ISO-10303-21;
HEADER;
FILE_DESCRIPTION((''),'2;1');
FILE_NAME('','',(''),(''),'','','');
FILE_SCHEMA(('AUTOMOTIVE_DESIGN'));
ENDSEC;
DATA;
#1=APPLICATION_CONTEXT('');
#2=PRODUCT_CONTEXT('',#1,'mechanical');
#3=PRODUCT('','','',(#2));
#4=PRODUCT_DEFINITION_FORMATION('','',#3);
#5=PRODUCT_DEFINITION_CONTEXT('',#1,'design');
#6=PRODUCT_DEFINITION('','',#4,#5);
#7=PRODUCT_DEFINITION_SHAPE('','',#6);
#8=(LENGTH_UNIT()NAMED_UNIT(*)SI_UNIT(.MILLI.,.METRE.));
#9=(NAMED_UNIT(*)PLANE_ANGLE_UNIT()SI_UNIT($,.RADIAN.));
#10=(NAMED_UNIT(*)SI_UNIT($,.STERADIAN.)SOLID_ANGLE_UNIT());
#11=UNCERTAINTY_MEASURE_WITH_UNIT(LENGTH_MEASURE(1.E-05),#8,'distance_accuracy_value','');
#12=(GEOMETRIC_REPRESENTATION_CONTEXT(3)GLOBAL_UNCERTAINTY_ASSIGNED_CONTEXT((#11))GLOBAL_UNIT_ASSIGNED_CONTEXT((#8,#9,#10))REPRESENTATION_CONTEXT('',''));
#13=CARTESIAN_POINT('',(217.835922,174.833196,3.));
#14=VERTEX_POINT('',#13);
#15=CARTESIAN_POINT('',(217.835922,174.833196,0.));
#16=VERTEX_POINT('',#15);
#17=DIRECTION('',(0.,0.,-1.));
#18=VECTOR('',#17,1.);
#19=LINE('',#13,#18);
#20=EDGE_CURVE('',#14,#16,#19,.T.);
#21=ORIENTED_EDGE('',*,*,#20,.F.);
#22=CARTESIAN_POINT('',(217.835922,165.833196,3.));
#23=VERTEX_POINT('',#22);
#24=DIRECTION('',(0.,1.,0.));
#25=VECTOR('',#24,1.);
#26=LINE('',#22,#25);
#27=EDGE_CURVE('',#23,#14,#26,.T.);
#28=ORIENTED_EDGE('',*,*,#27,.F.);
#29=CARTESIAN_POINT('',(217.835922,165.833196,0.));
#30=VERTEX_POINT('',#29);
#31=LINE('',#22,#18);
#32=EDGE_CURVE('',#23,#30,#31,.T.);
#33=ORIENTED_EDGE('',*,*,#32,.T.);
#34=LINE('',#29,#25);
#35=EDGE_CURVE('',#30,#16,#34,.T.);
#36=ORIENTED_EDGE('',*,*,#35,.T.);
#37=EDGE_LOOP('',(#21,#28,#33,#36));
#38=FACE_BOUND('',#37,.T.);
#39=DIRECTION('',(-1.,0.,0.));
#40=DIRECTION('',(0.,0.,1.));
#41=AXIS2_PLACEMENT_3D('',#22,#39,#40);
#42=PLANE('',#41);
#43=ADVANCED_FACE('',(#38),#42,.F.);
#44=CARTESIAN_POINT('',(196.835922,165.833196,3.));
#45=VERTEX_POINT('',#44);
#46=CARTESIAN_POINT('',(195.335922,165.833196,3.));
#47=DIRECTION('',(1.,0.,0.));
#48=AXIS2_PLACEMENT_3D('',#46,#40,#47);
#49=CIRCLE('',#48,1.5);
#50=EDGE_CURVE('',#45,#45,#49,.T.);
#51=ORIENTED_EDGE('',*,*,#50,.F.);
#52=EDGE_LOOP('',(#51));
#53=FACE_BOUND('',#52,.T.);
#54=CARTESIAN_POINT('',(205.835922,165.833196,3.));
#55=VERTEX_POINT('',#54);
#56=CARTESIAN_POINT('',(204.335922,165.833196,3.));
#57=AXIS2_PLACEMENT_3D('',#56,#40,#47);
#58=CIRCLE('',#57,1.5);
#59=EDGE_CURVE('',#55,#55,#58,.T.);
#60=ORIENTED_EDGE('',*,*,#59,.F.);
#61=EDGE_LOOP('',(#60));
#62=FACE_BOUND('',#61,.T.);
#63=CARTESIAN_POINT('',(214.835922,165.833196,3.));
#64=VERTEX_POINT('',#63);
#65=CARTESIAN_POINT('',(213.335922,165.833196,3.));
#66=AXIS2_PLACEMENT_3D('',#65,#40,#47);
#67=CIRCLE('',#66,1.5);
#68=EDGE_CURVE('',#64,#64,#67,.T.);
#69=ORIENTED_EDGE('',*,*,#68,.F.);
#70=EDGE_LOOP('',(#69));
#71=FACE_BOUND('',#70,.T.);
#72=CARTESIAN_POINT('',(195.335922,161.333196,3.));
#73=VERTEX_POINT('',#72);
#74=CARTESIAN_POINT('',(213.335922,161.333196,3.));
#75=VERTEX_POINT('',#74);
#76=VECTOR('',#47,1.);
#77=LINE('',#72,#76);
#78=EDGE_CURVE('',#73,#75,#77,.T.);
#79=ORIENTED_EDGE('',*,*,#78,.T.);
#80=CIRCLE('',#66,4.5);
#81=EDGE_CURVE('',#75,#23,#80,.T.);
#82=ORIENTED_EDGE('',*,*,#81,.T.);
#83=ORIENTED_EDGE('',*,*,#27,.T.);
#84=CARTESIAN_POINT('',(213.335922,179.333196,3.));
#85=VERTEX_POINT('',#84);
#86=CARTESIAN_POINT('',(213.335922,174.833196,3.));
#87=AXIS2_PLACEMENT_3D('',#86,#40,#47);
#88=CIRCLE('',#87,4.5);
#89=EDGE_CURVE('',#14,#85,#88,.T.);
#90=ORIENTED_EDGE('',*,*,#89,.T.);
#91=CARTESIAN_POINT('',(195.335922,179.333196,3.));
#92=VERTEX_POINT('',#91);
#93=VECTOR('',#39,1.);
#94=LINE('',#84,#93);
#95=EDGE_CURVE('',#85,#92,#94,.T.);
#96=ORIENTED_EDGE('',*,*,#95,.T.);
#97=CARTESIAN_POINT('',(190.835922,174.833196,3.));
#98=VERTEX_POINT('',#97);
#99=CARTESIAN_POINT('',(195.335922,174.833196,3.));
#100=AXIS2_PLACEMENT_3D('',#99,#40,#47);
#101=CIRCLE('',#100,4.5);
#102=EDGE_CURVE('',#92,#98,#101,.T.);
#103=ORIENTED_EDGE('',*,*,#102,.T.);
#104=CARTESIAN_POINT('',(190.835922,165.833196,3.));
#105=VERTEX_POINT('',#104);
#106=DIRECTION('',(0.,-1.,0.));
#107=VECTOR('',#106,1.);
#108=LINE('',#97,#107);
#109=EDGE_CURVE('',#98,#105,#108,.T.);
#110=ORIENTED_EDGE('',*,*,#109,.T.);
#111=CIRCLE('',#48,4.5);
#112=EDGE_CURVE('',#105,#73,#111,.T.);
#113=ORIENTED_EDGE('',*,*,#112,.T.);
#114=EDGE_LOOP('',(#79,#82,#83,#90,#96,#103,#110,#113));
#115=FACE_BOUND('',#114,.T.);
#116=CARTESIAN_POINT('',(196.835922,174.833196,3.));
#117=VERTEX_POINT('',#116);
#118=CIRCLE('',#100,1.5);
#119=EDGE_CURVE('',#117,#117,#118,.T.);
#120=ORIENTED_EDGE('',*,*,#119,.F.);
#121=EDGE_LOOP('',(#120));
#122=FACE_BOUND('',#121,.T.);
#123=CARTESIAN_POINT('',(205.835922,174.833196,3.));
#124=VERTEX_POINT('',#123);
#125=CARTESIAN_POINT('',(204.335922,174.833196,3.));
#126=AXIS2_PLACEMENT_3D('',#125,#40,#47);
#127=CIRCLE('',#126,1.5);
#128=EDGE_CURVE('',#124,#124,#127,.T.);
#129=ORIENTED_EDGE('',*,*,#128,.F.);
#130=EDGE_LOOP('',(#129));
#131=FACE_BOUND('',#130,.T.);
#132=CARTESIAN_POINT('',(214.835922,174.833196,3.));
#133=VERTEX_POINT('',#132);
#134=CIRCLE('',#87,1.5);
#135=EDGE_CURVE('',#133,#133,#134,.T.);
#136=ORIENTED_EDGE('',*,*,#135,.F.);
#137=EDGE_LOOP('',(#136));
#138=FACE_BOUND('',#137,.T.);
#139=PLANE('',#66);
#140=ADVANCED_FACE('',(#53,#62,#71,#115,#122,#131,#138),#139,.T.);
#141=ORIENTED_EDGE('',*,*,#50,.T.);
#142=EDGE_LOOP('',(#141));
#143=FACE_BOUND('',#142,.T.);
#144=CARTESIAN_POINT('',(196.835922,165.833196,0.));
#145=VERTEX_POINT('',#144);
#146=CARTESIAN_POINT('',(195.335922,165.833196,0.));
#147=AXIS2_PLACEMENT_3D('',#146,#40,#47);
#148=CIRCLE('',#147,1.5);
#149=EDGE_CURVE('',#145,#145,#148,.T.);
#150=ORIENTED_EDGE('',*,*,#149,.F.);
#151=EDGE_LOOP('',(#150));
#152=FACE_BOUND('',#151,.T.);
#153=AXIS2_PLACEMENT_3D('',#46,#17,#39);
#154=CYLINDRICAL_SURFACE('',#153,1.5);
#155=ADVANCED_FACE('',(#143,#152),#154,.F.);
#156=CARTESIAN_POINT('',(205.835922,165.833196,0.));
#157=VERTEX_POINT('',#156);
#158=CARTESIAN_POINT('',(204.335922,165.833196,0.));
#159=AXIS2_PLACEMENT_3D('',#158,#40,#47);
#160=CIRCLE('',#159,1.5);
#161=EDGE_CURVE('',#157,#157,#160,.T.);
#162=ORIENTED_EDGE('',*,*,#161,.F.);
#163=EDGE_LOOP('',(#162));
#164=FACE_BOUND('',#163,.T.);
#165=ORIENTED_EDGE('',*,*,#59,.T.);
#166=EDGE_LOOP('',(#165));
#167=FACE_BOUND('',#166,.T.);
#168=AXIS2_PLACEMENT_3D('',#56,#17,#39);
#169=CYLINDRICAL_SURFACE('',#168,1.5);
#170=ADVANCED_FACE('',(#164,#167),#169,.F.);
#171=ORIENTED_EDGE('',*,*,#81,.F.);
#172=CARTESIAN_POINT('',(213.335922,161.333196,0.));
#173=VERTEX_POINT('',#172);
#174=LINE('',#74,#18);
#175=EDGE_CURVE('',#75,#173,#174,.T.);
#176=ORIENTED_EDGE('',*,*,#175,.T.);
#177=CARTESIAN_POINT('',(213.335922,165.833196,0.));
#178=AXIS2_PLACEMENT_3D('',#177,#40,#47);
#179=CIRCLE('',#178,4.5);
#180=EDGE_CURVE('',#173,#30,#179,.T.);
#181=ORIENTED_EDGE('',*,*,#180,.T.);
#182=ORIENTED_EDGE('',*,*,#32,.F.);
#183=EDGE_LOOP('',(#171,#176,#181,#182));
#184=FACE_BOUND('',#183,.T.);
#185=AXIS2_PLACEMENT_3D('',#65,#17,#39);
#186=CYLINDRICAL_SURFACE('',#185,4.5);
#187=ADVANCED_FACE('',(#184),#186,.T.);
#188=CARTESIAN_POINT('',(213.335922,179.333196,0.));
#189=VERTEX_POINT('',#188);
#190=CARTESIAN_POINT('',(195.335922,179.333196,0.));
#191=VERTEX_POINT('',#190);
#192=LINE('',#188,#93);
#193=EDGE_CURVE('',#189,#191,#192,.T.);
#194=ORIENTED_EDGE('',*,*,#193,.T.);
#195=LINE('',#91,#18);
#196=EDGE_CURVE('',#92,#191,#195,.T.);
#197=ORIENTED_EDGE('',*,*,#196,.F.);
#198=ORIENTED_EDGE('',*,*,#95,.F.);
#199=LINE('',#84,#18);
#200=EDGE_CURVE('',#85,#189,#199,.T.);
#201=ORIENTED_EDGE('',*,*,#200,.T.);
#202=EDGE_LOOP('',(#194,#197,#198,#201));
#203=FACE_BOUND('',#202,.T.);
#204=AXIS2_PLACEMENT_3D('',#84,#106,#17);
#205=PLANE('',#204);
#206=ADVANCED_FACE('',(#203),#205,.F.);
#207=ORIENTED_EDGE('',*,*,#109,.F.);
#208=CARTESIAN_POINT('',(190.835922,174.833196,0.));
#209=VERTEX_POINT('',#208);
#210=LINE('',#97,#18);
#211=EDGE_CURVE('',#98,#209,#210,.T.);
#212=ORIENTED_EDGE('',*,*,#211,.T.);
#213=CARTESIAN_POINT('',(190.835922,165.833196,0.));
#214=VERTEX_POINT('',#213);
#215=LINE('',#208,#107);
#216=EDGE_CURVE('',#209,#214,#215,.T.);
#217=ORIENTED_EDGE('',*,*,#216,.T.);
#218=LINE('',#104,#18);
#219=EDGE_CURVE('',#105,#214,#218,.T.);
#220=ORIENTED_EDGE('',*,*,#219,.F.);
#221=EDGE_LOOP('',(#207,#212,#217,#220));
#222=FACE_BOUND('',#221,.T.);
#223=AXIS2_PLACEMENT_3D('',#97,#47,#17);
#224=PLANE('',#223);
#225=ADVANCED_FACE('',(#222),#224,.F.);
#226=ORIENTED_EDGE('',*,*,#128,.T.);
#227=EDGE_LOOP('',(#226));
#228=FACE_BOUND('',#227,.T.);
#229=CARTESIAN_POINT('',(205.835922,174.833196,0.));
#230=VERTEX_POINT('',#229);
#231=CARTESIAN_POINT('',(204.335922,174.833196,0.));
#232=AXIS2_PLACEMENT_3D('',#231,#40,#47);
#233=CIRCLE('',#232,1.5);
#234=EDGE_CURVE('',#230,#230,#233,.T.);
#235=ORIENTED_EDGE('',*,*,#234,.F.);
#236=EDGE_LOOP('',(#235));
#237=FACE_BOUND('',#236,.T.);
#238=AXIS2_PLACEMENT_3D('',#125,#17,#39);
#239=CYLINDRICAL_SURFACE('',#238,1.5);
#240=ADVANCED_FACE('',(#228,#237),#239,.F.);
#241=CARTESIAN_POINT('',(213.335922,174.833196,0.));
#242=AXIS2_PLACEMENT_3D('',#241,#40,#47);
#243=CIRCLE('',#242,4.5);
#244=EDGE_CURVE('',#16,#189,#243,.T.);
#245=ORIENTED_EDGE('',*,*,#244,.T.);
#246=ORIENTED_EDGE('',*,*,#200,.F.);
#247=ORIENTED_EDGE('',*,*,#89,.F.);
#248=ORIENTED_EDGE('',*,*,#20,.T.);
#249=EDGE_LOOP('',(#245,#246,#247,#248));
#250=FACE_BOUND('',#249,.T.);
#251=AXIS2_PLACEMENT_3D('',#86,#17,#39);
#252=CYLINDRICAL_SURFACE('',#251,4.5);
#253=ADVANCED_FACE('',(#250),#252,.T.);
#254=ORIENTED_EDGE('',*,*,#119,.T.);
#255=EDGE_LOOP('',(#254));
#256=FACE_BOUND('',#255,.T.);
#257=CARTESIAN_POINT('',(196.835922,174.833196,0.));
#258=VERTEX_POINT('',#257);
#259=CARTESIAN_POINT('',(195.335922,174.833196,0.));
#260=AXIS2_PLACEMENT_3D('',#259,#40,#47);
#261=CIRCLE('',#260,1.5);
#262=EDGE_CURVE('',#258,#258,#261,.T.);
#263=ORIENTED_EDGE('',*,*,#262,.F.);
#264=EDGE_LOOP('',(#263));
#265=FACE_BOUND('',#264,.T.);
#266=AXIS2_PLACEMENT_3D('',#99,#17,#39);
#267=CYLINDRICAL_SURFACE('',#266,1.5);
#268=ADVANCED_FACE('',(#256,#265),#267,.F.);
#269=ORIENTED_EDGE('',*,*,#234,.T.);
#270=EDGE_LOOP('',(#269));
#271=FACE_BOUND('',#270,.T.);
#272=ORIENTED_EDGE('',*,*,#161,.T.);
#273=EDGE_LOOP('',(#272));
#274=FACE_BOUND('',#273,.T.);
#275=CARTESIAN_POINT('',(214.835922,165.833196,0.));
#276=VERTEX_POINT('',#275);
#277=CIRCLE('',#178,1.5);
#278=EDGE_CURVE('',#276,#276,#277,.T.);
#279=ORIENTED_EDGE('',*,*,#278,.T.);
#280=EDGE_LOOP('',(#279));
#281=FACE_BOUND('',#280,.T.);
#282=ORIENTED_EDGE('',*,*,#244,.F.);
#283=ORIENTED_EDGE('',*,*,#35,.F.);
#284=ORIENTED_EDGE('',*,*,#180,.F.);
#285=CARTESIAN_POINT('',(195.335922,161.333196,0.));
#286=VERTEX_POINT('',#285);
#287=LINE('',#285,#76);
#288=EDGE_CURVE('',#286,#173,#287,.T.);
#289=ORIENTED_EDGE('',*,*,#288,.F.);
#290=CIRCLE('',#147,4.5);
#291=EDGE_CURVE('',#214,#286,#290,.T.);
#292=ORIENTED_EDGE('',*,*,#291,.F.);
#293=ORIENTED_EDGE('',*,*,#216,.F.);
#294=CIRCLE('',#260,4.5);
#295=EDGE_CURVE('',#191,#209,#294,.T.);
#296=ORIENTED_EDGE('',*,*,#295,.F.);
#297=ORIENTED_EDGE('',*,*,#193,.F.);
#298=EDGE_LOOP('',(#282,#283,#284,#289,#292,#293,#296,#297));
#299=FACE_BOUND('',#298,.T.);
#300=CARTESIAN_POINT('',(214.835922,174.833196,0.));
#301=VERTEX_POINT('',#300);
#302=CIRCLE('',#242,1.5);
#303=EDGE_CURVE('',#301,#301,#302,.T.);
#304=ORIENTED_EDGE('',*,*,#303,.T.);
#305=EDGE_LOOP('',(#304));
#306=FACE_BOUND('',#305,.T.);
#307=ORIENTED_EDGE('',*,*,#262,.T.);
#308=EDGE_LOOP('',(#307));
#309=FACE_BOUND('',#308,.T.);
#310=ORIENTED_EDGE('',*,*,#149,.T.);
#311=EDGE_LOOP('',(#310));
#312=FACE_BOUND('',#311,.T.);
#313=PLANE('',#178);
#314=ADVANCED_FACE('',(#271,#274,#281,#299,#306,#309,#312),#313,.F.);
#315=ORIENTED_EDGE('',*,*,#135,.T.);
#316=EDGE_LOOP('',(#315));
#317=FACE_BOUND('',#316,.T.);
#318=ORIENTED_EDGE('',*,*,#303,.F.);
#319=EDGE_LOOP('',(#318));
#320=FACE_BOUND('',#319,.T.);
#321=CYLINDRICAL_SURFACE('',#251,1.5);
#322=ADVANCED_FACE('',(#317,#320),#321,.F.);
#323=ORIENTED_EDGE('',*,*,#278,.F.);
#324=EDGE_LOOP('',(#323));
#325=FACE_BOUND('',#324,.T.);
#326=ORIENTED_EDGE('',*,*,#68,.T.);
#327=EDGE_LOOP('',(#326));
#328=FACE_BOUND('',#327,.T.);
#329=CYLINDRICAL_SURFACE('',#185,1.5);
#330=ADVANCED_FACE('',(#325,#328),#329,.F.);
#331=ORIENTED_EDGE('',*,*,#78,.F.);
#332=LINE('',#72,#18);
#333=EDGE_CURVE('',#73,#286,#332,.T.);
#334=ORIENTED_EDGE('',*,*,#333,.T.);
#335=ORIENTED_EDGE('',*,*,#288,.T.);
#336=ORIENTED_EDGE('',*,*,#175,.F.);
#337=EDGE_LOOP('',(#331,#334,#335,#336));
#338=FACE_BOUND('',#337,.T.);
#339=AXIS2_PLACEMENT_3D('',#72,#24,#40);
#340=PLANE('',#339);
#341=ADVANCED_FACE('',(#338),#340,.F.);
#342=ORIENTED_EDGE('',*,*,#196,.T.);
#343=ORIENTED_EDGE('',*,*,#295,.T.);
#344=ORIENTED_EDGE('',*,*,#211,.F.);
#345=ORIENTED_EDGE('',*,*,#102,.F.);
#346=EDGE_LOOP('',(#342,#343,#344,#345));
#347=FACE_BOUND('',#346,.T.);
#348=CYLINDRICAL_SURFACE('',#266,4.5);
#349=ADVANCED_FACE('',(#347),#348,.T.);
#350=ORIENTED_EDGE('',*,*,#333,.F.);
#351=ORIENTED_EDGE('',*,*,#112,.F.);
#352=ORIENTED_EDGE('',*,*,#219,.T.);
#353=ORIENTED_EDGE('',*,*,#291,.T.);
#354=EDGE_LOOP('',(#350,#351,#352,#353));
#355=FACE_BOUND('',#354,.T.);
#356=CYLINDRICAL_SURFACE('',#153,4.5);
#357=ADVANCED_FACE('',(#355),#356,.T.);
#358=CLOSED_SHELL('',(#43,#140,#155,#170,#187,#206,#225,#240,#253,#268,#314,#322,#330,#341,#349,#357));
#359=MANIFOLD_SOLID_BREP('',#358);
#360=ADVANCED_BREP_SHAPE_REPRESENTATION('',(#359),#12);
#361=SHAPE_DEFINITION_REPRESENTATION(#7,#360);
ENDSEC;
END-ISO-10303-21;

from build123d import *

# Parameters (mm, degrees)
MODEL_R                 = 1.5
SALIENTE_EXTRUIR1_DEPTH = 3


with BuildPart() as part:
    # Model → Saliente-Extruir1 (new body)
    with BuildSketch(Plane.XY):
        with BuildLine():
            Line((195.335922194, 161.333196305), (213.335922194, 161.333196305))
            ThreePointArc((213.335922194, 161.333196305), (216.517902709, 162.651215789), (217.835922194, 165.833196305))
            Line((217.835922194, 165.833196305), (217.835922194, 174.833196305))
            ThreePointArc((217.835922194, 174.833196305), (216.517902709, 178.01517682), (213.335922194, 179.333196305))
            Line((213.335922194, 179.333196305), (195.335922194, 179.333196305))
            ThreePointArc((195.335922194, 179.333196305), (192.153941678, 178.01517682), (190.835922194, 174.833196305))
            Line((190.835922194, 174.833196305), (190.835922194, 165.833196305))
            ThreePointArc((190.835922194, 165.833196305), (192.153941678, 162.651215789), (195.335922194, 161.333196305))
        make_face()
        with Locations((195.335922194, 174.833196305)):
            Circle(MODEL_R, mode=Mode.SUBTRACT)
        with Locations((195.335922194, 165.833196305)):
            Circle(MODEL_R, mode=Mode.SUBTRACT)
        with Locations((204.335922194, 174.833196305)):
            Circle(MODEL_R, mode=Mode.SUBTRACT)
        with Locations((204.335922194, 165.833196305)):
            Circle(MODEL_R, mode=Mode.SUBTRACT)
        with Locations((213.335922194, 174.833196305)):
            Circle(MODEL_R, mode=Mode.SUBTRACT)
        with Locations((213.335922194, 165.833196305)):
            Circle(MODEL_R, mode=Mode.SUBTRACT)
    extrude(amount=SALIENTE_EXTRUIR1_DEPTH)


solid = part.part
